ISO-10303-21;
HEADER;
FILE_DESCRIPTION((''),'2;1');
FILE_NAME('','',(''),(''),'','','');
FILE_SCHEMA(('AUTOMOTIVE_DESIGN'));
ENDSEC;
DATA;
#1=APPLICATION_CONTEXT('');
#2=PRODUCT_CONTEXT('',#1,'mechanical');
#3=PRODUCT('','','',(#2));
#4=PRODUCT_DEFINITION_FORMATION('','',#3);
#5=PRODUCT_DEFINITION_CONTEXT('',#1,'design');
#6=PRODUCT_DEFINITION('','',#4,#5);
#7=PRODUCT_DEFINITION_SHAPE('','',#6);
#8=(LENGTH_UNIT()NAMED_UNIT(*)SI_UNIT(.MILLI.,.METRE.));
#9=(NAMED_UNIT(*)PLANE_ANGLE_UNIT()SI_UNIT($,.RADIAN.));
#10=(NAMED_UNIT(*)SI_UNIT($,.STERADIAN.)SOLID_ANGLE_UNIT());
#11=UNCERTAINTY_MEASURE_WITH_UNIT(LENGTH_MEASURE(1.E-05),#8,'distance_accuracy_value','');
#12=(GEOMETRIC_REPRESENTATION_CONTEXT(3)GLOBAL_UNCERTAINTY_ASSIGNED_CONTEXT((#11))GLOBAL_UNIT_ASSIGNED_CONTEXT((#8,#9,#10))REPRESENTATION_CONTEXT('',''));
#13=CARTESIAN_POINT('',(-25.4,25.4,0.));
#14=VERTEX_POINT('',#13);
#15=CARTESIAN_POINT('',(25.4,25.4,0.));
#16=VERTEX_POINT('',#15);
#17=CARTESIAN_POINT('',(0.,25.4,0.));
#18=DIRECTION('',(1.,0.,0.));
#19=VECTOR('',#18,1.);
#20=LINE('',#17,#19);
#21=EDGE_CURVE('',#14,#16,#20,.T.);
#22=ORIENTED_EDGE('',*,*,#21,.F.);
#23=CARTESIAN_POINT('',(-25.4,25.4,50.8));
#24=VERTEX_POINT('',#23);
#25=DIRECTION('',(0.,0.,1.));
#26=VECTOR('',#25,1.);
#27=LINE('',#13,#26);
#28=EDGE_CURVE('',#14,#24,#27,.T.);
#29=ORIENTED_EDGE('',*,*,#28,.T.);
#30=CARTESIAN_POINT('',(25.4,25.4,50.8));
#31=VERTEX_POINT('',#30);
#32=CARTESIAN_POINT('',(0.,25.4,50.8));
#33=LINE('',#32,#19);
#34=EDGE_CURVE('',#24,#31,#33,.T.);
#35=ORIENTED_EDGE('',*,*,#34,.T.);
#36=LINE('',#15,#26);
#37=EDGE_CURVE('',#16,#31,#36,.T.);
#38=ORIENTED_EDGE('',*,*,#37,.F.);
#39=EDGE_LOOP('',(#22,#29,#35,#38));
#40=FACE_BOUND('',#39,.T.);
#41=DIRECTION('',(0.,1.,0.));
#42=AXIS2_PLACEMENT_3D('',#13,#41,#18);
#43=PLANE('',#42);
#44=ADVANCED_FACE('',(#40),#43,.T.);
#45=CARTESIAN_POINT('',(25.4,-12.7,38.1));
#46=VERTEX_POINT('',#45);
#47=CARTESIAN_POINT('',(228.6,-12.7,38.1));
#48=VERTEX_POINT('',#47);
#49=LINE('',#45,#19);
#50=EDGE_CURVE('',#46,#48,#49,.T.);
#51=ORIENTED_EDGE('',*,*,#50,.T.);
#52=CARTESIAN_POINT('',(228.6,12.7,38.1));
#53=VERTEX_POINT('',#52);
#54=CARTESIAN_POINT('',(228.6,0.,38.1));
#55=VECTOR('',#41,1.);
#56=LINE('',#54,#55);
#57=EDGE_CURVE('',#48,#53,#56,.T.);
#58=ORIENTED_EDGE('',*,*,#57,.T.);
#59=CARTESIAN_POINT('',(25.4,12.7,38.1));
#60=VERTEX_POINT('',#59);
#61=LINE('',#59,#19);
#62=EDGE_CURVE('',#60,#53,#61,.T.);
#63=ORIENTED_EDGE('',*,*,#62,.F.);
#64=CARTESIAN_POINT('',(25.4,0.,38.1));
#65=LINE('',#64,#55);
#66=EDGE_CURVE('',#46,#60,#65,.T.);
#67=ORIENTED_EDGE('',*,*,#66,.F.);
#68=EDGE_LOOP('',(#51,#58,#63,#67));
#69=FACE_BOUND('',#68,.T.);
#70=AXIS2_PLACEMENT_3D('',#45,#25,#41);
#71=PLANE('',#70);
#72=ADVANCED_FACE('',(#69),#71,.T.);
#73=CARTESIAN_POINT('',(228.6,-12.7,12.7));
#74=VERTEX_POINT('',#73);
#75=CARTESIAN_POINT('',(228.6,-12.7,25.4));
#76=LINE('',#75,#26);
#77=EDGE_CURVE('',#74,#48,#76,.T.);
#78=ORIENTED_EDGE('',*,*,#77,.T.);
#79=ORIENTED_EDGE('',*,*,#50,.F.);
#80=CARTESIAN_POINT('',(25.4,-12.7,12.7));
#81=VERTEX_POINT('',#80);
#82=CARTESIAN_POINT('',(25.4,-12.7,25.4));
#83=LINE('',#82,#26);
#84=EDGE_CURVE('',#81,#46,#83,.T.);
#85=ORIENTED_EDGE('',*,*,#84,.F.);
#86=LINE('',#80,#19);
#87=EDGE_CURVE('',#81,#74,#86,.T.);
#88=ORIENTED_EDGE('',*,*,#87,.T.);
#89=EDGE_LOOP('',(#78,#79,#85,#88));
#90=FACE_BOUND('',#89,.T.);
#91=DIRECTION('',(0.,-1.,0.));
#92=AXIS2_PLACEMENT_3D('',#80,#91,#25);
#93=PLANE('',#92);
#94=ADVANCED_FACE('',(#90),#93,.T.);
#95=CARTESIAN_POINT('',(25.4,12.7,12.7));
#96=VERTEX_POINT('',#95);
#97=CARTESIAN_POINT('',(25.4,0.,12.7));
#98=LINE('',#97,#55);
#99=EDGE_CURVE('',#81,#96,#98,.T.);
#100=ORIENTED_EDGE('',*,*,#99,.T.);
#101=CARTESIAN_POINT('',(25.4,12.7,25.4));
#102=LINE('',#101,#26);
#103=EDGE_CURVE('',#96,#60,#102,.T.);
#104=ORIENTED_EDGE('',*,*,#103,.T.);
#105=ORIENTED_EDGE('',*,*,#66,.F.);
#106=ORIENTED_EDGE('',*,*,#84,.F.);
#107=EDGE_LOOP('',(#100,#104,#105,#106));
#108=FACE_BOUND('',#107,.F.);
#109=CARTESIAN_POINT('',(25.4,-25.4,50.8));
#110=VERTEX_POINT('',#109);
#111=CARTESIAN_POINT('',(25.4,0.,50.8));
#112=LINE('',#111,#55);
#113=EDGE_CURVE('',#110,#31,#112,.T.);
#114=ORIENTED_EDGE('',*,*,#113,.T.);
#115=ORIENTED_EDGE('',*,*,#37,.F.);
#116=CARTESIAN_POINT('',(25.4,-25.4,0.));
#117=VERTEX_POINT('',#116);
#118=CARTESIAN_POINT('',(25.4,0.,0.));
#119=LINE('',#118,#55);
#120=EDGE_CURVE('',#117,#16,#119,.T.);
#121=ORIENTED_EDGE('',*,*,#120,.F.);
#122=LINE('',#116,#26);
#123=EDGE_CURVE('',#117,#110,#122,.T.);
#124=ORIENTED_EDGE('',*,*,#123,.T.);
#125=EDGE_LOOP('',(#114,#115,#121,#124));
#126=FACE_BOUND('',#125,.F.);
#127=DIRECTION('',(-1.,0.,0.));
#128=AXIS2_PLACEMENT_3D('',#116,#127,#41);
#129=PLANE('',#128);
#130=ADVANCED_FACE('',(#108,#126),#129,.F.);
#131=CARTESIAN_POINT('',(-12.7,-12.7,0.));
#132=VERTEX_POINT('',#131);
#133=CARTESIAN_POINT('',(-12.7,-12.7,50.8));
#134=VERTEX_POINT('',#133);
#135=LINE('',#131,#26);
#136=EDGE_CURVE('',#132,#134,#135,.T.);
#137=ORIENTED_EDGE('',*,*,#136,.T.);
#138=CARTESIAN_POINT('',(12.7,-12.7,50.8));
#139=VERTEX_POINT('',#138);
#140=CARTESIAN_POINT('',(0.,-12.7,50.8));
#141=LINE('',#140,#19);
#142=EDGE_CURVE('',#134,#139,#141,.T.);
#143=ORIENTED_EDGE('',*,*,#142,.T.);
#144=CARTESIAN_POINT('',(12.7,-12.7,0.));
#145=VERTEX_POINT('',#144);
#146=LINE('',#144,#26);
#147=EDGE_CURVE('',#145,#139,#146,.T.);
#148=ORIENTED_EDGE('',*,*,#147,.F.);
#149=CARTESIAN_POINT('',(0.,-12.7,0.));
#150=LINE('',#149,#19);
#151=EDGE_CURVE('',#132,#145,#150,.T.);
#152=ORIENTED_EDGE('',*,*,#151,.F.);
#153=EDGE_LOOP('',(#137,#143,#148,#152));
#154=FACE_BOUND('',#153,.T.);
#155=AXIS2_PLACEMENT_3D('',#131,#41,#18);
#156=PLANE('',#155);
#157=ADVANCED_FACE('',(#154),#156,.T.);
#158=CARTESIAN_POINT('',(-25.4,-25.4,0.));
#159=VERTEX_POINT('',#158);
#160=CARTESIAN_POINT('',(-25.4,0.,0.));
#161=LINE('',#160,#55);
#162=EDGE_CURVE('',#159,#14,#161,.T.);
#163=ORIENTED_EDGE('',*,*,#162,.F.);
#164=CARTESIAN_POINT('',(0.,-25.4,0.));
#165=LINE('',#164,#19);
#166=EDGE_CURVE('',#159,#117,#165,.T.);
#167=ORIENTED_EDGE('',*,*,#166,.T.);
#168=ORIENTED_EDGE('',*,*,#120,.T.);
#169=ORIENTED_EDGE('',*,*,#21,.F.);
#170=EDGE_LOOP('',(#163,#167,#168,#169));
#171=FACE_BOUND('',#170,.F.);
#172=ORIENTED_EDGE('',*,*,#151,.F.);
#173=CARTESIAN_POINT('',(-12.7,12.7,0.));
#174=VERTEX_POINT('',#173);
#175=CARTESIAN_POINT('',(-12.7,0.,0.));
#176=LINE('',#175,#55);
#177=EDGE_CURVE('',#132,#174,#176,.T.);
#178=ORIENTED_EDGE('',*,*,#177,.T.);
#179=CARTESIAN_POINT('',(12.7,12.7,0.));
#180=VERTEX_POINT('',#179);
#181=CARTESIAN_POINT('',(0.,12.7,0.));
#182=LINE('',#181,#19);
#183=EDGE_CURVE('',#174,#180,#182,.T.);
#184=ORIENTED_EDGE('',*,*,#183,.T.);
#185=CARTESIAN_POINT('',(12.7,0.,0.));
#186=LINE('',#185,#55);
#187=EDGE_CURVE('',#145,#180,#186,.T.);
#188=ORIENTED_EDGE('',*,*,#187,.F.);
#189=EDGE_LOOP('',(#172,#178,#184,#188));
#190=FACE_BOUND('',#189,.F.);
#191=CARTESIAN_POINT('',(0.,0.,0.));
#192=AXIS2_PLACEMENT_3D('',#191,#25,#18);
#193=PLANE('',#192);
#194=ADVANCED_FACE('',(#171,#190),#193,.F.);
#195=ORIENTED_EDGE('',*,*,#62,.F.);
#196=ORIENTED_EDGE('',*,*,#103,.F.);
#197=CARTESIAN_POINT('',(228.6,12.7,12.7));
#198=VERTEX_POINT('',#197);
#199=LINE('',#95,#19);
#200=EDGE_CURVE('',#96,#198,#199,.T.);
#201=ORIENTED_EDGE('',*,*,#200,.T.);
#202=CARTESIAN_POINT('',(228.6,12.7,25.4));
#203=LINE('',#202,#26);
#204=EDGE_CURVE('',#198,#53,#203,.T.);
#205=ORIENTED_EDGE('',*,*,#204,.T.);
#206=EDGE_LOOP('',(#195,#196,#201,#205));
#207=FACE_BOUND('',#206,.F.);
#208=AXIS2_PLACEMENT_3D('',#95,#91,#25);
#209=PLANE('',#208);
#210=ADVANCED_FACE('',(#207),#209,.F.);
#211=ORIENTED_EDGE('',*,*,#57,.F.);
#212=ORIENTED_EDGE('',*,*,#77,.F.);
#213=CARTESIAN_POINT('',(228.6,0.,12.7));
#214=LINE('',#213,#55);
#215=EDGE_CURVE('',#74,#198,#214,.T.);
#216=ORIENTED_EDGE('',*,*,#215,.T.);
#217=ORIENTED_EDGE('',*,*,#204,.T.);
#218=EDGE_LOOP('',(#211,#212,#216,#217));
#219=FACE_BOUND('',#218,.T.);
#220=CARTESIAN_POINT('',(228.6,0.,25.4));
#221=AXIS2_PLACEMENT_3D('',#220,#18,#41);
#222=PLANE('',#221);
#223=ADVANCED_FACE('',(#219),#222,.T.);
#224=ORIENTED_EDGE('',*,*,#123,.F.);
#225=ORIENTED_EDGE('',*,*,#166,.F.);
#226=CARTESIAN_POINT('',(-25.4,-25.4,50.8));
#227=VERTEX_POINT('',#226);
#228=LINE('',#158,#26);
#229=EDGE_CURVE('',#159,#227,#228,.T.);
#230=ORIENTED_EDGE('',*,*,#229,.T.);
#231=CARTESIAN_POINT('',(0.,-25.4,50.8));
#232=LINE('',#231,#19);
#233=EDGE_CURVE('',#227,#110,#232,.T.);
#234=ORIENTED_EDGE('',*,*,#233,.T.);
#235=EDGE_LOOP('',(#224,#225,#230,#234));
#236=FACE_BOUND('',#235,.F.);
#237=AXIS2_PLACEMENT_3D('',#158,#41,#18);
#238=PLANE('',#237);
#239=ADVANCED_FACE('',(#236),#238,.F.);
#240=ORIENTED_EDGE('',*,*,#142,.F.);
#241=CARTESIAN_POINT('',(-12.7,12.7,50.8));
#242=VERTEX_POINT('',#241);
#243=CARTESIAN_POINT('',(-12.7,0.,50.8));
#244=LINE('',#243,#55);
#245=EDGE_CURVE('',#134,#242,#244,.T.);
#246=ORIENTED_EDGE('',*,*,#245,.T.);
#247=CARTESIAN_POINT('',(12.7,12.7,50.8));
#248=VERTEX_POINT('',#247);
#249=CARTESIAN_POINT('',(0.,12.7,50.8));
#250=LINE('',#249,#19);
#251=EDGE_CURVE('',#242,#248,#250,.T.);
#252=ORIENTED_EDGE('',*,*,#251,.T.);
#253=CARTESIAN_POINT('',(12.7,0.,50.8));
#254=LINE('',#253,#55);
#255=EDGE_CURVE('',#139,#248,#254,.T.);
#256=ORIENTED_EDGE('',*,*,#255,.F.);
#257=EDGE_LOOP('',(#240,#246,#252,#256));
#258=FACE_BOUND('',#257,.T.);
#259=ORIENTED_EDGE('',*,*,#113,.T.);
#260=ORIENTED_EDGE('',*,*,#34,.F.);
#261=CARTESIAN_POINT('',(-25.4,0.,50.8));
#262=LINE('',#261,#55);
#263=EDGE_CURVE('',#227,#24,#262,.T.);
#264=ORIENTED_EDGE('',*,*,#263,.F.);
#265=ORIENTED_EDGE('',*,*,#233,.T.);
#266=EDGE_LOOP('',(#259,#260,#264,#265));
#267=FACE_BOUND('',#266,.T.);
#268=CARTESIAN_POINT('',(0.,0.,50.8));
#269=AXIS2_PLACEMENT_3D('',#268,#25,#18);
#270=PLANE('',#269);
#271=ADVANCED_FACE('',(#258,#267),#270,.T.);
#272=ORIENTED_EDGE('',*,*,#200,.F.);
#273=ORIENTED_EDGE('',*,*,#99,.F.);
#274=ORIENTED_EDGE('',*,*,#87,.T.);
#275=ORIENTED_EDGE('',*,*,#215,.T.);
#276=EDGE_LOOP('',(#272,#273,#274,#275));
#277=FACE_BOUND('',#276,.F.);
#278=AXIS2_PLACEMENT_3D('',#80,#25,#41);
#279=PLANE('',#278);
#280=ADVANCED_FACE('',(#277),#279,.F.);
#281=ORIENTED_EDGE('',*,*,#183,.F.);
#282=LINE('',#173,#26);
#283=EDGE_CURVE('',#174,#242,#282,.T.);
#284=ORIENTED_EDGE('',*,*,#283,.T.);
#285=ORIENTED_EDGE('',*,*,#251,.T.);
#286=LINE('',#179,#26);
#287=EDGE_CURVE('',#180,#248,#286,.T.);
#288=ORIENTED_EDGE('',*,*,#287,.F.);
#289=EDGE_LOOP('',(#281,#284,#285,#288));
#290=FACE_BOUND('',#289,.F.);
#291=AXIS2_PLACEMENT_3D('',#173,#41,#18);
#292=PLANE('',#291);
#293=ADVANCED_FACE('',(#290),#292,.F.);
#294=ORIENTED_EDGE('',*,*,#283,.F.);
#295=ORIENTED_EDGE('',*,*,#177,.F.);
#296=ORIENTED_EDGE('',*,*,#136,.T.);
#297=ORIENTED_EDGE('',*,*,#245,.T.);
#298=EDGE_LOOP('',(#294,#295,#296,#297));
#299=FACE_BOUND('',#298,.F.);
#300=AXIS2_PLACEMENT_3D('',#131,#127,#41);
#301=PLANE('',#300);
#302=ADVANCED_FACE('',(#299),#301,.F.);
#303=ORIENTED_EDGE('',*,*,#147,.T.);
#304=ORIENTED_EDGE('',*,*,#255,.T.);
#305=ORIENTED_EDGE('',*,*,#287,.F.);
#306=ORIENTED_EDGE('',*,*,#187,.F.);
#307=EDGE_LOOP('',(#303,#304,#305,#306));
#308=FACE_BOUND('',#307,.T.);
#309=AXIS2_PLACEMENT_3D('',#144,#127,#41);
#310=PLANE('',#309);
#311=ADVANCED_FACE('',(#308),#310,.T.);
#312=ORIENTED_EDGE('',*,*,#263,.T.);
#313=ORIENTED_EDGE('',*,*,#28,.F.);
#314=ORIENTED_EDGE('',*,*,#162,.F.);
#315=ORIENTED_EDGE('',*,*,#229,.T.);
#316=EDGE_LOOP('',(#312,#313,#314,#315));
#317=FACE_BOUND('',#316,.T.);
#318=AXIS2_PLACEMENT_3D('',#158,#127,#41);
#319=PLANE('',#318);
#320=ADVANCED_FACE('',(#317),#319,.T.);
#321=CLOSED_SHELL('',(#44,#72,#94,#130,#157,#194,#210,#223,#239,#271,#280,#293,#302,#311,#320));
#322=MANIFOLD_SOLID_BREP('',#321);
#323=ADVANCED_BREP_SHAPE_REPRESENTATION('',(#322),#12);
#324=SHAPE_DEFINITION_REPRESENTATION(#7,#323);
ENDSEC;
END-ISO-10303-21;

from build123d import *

# Parameters (mm, degrees)
F0_W     = 50.8
F0_H     = 50.8
F0_W_2   = 25.4
F0_H_2   = 25.4
F1_DEPTH = 50.8
F2_W     = 25.4
F2_H     = 25.4
F3_DEPTH = 203.2


with BuildPart() as f1:
    # F0 (on Top) → F1 (new body)
    with BuildSketch(Plane.XY):
        Rectangle(F0_W, F0_H)
        Rectangle(F0_W_2, F0_H_2, mode=Mode.SUBTRACT)
    extrude(amount=F1_DEPTH)

    # F2 (on face) → F3 (join)
    with BuildSketch(Plane.YZ.offset(25.4)):
        with Locations((0, 25.4)):
            Rectangle(F2_W, F2_H)
    extrude(amount=F3_DEPTH)


solid = f1.part
